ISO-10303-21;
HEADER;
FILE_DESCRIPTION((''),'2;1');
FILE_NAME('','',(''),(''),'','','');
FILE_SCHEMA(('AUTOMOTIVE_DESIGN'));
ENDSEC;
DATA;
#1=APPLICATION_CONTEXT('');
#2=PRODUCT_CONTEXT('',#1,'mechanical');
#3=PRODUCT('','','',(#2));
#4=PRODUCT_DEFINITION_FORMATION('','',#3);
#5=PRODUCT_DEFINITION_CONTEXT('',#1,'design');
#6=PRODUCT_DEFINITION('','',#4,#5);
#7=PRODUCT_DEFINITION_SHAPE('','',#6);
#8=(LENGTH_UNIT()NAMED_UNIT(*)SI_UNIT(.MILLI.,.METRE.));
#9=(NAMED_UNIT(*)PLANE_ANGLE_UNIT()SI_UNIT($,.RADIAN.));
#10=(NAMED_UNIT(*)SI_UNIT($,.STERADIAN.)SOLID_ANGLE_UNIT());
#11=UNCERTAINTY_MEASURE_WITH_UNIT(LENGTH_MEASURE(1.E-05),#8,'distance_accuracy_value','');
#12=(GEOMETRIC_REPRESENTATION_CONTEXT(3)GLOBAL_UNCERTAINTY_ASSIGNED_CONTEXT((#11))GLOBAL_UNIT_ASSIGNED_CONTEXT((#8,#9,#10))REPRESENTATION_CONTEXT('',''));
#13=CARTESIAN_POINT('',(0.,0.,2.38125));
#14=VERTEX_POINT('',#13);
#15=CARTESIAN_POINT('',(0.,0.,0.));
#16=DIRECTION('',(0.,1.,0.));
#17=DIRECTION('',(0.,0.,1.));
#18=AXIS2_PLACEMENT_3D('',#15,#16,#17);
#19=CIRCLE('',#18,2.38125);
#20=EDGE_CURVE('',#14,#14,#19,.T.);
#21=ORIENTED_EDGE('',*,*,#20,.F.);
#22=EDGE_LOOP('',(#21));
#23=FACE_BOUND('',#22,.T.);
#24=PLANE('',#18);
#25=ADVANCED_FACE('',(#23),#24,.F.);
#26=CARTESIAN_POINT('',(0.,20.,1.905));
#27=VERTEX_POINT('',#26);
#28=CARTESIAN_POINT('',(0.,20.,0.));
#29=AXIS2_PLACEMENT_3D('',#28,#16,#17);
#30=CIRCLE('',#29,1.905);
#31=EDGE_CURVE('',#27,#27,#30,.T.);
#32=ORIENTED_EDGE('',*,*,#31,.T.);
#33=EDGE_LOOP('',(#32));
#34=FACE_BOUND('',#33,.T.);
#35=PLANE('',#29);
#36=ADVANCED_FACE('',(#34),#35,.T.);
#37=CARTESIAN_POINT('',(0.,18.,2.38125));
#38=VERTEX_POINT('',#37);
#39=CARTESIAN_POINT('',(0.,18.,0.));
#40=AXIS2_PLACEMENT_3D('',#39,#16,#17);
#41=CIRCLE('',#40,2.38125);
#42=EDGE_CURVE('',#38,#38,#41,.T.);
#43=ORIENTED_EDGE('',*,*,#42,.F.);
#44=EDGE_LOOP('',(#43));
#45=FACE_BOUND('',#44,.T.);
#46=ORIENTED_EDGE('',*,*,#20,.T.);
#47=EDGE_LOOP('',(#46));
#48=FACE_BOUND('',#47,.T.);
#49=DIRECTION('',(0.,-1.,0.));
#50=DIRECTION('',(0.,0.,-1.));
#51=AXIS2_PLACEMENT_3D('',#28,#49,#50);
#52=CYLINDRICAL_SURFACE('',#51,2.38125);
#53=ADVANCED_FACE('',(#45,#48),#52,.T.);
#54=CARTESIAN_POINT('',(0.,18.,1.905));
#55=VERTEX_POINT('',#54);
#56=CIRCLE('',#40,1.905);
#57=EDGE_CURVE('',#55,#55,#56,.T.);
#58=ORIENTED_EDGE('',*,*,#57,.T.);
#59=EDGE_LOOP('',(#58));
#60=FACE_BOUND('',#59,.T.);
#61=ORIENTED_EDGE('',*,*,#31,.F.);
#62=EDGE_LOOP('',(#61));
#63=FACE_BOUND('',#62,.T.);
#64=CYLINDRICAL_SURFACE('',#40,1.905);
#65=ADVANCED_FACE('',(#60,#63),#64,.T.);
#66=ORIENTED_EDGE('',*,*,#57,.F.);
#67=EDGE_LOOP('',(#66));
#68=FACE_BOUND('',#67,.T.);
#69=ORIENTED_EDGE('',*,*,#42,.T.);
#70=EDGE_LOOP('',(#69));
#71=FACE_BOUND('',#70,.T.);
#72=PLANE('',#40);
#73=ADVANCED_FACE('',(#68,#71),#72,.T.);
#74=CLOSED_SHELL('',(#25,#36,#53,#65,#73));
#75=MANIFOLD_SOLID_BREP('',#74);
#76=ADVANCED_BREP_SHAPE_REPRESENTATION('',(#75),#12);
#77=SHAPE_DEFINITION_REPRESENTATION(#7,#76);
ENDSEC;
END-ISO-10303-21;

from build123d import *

# Parameters (mm, degrees)
SKETCH1_R           = 2.38125
BOSS_EXTRUDE1_DEPTH = 20
SKETCH2_R           = 2.38125
SKETCH2_R_2         = 1.905
CUT_EXTRUDE1_DEPTH  = 2


with BuildPart() as part:
    # Sketch1 → Boss-Extrude1 (new body)
    with BuildSketch(Plane(origin=(0, 0, 0), x_dir=(1, 0, 0), z_dir=(0, 1, 0))):
        Circle(SKETCH1_R)
    extrude(amount=BOSS_EXTRUDE1_DEPTH)

    # Sketch2 → Cut-Extrude1 (cut)
    with BuildSketch(Plane(origin=(0, 20, 0), x_dir=(1, 0, 0), z_dir=(0, 1, 0))):
        Circle(SKETCH2_R)
        Circle(SKETCH2_R_2, mode=Mode.SUBTRACT)
    extrude(amount=-CUT_EXTRUDE1_DEPTH, mode=Mode.SUBTRACT)


solid = part.part
